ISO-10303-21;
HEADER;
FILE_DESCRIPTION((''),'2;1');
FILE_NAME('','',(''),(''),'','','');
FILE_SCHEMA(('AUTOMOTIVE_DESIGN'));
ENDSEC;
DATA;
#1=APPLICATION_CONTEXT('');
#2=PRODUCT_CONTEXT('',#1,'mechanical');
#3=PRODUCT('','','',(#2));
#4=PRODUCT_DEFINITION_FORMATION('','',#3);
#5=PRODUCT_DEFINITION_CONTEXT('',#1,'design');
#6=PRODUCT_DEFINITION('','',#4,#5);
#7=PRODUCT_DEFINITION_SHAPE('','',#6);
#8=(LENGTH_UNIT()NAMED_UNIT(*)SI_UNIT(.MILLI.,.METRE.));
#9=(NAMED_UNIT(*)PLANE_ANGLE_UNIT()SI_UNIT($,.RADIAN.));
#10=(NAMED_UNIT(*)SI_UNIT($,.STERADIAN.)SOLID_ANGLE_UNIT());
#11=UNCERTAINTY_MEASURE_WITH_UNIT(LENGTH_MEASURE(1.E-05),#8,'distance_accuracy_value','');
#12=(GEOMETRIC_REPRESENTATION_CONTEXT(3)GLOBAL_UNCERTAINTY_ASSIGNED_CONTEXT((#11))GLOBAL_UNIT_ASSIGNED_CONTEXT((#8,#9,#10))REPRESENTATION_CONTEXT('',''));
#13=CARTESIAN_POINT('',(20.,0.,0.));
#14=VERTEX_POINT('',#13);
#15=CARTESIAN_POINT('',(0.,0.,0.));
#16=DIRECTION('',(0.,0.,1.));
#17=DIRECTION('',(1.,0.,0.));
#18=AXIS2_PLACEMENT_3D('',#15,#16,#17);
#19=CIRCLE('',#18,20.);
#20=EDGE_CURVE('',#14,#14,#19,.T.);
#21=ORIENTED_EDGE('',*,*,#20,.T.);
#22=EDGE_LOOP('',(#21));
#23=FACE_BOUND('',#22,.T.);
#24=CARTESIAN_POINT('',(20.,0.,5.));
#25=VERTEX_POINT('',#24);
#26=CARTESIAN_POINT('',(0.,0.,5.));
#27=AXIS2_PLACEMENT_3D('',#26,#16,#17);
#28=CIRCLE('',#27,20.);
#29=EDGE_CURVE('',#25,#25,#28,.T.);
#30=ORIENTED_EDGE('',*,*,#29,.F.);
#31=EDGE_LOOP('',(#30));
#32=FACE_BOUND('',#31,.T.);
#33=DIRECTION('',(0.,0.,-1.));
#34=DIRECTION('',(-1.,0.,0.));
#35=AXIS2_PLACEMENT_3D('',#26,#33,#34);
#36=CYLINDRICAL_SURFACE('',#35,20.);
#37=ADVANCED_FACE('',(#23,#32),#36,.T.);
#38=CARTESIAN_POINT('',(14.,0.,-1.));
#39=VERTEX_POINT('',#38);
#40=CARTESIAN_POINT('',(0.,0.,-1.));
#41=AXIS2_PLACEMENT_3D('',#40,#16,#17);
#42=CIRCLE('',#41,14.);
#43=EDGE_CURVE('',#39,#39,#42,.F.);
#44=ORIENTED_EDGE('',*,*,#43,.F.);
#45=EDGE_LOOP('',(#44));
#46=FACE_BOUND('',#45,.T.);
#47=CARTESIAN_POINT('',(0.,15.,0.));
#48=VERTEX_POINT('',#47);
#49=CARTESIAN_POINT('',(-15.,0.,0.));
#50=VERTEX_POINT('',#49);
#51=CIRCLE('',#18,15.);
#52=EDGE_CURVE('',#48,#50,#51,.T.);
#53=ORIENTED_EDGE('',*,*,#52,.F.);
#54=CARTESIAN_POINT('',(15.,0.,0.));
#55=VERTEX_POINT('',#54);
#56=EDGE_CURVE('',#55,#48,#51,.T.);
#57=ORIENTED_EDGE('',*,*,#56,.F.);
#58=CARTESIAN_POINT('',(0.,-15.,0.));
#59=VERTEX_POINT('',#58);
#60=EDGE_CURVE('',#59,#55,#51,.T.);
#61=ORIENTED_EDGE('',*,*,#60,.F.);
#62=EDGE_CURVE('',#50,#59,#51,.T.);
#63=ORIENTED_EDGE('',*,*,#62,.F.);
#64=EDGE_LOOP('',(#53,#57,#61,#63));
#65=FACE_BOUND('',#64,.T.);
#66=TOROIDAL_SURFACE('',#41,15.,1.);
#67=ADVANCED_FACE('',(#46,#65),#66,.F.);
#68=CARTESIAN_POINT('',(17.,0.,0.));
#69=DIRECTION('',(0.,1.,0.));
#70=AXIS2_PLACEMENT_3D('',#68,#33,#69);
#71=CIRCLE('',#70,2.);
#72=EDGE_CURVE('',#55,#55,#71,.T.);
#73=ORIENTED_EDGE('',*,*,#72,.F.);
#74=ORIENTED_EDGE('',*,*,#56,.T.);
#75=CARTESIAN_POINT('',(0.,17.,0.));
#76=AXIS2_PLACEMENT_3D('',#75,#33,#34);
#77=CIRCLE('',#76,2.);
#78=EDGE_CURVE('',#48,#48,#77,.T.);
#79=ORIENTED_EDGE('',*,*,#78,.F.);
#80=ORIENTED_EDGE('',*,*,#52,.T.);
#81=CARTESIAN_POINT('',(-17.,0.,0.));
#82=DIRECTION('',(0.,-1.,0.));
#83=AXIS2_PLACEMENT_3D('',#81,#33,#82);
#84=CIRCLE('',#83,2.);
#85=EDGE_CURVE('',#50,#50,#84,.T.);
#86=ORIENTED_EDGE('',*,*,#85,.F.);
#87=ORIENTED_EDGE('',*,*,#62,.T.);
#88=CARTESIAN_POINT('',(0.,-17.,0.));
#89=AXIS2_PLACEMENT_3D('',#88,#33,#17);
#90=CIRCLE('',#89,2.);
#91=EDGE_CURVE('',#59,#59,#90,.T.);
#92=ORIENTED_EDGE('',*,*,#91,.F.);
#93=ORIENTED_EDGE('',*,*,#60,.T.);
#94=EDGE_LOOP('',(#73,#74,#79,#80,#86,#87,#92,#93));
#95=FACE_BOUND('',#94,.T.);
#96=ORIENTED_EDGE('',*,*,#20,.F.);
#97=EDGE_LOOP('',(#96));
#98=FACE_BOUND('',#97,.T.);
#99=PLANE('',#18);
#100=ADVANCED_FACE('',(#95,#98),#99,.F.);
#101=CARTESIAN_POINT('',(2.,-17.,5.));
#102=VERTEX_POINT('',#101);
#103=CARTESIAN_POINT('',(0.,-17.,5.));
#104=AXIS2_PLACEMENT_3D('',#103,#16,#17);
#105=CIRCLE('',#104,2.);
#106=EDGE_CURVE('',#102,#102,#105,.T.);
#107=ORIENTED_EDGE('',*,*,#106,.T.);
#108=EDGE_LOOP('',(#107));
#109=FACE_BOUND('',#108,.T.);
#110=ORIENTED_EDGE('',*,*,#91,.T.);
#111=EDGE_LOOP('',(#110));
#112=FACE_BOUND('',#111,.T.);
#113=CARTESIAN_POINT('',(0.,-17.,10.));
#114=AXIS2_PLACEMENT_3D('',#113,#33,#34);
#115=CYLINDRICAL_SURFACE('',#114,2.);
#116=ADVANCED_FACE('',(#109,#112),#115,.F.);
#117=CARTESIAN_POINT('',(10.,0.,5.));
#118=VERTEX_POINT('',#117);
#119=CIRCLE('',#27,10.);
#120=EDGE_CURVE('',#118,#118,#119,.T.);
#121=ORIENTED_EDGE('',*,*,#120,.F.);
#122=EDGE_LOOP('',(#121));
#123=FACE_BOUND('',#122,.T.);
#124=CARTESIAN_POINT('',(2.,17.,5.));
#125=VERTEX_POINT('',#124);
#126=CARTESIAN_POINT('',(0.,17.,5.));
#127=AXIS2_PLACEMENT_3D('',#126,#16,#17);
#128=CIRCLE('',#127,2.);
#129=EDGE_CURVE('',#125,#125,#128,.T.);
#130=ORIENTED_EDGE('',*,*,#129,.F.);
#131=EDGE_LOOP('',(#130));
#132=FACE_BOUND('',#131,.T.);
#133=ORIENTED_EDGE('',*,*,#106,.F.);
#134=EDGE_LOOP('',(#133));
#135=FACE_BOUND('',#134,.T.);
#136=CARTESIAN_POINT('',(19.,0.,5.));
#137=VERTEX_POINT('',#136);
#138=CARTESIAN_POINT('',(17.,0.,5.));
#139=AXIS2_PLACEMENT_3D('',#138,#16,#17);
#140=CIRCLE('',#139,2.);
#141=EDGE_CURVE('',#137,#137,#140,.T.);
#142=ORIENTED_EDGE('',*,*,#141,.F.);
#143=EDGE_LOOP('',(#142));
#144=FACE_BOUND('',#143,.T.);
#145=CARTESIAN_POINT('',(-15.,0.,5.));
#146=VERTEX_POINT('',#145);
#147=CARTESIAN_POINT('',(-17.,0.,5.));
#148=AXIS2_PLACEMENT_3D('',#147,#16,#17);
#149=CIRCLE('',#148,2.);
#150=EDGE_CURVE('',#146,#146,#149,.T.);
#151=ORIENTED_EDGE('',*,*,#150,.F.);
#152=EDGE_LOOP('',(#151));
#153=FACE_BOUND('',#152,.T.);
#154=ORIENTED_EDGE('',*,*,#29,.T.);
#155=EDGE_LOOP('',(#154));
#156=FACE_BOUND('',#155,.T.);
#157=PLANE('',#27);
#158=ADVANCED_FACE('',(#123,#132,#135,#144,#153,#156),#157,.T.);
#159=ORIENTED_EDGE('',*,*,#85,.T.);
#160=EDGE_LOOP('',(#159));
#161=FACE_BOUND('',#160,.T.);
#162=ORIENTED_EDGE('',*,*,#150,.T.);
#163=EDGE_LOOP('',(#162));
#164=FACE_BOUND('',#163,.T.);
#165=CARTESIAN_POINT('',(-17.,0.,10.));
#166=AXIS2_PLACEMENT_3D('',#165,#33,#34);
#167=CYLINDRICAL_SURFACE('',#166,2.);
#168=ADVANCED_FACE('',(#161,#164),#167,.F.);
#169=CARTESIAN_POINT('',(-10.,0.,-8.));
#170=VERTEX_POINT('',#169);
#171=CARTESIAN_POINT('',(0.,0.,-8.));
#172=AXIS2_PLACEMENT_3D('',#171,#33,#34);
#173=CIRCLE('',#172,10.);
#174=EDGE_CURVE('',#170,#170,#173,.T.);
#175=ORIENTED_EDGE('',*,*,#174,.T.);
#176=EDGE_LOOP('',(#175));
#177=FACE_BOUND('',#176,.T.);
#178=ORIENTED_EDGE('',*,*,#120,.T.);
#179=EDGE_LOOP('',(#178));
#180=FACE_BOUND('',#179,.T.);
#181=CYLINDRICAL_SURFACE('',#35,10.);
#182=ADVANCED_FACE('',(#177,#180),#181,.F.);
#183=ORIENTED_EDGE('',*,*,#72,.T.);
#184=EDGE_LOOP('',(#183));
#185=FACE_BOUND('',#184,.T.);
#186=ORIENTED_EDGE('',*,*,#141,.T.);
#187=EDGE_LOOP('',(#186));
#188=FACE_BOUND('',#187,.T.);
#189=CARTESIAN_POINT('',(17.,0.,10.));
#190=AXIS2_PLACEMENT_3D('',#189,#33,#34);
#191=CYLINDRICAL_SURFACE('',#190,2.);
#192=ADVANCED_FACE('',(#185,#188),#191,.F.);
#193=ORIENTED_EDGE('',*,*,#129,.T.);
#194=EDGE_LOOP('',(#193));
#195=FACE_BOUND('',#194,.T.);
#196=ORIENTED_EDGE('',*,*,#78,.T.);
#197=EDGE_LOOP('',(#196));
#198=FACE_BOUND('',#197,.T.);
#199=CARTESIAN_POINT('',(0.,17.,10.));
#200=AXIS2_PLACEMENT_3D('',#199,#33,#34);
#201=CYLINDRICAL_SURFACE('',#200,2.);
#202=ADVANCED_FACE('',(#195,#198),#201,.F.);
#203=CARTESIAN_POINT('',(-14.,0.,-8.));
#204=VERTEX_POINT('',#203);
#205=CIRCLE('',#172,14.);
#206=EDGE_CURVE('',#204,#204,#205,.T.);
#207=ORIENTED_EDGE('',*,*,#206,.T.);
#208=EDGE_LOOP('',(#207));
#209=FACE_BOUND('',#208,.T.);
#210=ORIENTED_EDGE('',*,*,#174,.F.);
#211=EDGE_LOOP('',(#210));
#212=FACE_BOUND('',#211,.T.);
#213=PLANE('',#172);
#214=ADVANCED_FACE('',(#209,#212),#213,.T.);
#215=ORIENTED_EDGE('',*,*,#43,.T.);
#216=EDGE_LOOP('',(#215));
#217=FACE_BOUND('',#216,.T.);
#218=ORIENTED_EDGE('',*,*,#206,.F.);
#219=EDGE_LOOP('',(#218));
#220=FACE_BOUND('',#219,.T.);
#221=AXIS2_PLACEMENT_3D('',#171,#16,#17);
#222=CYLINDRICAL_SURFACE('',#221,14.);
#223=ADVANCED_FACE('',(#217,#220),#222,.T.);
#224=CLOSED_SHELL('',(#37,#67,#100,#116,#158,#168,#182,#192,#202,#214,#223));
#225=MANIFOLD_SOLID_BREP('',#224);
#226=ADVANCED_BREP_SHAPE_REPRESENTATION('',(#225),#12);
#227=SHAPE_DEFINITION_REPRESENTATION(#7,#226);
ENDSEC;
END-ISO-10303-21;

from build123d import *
from build123d.topology import SkipClean

# Parameters (mm, degrees)
SKETCH1_R           = 20
SKETCH1_R_2         = 10
BOSS_EXTRUDE1_DEPTH = 5
BOSS_EXTRUDE2_START = 8
SKETCH2_R           = 14
SKETCH2_R_2         = 10
BOSS_EXTRUDE2_DEPTH = 8
FILLET1_R           = 1
SKETCH3_R           = 2
CUT_EXTRUDE1_DEPTH  = 10
CIRPATTERN1_COUNT   = 4


with BuildPart() as part:
    # Sketch1 → Boss-Extrude1 (new body)
    with BuildSketch(Plane.XY):
        Circle(SKETCH1_R)
        Circle(SKETCH1_R_2, mode=Mode.SUBTRACT)
    extrude(amount=BOSS_EXTRUDE1_DEPTH)

    # Sketch2 → Boss-Extrude2 (add)
    with SkipClean():  # the faces are left unmerged after this step: merging them gives an invalid solid
        with BuildSketch(Plane(origin=(0, 0, 0), x_dir=(-1, 0, 0), z_dir=(0, 0, -1)).offset(BOSS_EXTRUDE2_START)):
            with Locations(Location((0, 0, 0), (0, 0, 180))):
                Circle(SKETCH2_R)
            Circle(SKETCH2_R_2, mode=Mode.SUBTRACT)
        extrude(amount=-BOSS_EXTRUDE2_DEPTH)

    # Fillet1
    fillet1_edges = [part.edges().sort_by_distance(p)[0] for p in [
        (-14, 0, 0),
    ]]
    fillet(fillet1_edges, radius=FILLET1_R)

    # Sketch3 → Cut-Extrude1 (cut)
    with SkipClean():  # the faces are left unmerged after this step: merging them gives an invalid solid
        with BuildSketch(Plane(origin=(0, 0, 0), x_dir=(-1, 0, 0), z_dir=(0, 0, -1))):
            with Locations(Location((0, 17, 0), (0, 0, 270))):
                Circle(SKETCH3_R)
        cut_extrude1 = extrude(amount=-CUT_EXTRUDE1_DEPTH, mode=Mode.SUBTRACT)

    # CirPattern1: Cut-Extrude1 ×4 about axis
    with SkipClean():  # the faces are left unmerged after this step: merging them gives an invalid solid
        cirpattern1_axis = Axis((0, 0, 0), (0, 0, 1))
        for i in range(1, CIRPATTERN1_COUNT):
            add(cut_extrude1.rotate(cirpattern1_axis, i * 360 / CIRPATTERN1_COUNT), mode=Mode.SUBTRACT)


solid = part.part
